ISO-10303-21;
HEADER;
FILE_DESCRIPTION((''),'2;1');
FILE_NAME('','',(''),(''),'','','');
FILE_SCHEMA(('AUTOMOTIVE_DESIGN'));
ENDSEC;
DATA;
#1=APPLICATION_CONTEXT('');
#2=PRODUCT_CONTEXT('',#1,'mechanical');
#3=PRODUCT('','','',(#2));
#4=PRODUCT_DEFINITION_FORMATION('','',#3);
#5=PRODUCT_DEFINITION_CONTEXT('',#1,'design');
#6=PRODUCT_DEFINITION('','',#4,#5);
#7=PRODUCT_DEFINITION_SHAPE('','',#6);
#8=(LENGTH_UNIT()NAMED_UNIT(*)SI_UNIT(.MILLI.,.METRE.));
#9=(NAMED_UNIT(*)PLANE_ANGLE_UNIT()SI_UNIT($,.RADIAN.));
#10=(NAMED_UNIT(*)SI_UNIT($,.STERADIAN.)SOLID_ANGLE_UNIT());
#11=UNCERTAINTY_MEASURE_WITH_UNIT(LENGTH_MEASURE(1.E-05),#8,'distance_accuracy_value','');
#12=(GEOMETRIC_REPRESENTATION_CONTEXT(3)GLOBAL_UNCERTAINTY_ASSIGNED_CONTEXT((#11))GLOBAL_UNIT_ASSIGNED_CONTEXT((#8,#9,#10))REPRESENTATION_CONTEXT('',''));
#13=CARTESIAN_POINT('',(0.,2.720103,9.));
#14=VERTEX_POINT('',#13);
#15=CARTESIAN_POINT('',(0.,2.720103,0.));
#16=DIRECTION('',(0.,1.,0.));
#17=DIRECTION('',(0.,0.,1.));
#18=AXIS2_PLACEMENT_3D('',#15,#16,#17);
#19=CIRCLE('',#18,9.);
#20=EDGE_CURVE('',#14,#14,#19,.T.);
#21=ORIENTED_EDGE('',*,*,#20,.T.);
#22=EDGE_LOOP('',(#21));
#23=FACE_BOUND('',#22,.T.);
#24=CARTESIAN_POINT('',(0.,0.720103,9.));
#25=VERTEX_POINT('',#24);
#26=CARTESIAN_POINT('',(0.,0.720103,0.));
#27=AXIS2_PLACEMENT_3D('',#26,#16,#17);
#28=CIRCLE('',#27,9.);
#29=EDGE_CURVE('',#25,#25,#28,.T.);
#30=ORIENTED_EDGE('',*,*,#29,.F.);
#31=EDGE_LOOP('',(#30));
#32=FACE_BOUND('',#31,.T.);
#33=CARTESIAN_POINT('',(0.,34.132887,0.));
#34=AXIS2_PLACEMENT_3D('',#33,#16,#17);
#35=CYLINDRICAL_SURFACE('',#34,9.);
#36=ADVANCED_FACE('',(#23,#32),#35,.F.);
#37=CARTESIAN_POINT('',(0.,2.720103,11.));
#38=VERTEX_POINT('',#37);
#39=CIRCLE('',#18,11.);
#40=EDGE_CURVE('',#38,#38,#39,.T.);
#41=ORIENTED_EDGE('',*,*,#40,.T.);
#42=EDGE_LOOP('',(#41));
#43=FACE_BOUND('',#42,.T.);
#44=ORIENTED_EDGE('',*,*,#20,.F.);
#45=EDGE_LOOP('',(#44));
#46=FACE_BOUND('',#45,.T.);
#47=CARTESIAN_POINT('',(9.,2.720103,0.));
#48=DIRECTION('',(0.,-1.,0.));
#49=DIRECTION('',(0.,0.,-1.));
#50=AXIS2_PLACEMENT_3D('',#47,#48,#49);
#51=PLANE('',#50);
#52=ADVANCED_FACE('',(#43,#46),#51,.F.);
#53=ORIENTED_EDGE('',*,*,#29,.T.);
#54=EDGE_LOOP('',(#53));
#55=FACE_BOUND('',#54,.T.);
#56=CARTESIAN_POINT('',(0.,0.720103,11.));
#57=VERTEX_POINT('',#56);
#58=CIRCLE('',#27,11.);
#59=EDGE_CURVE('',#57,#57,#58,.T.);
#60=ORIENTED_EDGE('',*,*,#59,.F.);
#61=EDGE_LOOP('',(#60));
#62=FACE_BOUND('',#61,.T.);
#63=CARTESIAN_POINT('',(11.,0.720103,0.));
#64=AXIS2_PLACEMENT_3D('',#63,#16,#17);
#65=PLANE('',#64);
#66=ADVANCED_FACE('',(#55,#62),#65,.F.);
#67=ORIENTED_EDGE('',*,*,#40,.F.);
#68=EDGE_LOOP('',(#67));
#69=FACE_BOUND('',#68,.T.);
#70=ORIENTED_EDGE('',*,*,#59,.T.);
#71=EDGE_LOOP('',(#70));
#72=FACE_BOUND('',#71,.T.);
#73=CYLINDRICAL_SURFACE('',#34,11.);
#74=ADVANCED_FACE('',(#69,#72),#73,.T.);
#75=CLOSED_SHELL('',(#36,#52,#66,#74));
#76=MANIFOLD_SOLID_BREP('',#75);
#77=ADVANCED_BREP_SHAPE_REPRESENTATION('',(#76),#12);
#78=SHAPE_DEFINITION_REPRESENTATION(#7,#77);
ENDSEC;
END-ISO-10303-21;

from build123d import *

# Parameters (mm, degrees)
ESQUISSE1_W = 2
ESQUISSE1_H = 2


with BuildPart() as part:
    # Esquisse1 → Révolution1 (revolve)
    with BuildSketch(Plane.XY, mode=Mode.PRIVATE) as r_volution1_sk:
        with Locations((10, 1.720103)):
            Rectangle(ESQUISSE1_W, ESQUISSE1_H)
    revolve(r_volution1_sk.sketch.rotate(Axis((0, 34.132886598, 0), (0, -1, 0)), 90), axis=Axis((0, 34.132886598, 0), (0, -1, 0)))  # turned: the seam where the file's is


solid = part.part
